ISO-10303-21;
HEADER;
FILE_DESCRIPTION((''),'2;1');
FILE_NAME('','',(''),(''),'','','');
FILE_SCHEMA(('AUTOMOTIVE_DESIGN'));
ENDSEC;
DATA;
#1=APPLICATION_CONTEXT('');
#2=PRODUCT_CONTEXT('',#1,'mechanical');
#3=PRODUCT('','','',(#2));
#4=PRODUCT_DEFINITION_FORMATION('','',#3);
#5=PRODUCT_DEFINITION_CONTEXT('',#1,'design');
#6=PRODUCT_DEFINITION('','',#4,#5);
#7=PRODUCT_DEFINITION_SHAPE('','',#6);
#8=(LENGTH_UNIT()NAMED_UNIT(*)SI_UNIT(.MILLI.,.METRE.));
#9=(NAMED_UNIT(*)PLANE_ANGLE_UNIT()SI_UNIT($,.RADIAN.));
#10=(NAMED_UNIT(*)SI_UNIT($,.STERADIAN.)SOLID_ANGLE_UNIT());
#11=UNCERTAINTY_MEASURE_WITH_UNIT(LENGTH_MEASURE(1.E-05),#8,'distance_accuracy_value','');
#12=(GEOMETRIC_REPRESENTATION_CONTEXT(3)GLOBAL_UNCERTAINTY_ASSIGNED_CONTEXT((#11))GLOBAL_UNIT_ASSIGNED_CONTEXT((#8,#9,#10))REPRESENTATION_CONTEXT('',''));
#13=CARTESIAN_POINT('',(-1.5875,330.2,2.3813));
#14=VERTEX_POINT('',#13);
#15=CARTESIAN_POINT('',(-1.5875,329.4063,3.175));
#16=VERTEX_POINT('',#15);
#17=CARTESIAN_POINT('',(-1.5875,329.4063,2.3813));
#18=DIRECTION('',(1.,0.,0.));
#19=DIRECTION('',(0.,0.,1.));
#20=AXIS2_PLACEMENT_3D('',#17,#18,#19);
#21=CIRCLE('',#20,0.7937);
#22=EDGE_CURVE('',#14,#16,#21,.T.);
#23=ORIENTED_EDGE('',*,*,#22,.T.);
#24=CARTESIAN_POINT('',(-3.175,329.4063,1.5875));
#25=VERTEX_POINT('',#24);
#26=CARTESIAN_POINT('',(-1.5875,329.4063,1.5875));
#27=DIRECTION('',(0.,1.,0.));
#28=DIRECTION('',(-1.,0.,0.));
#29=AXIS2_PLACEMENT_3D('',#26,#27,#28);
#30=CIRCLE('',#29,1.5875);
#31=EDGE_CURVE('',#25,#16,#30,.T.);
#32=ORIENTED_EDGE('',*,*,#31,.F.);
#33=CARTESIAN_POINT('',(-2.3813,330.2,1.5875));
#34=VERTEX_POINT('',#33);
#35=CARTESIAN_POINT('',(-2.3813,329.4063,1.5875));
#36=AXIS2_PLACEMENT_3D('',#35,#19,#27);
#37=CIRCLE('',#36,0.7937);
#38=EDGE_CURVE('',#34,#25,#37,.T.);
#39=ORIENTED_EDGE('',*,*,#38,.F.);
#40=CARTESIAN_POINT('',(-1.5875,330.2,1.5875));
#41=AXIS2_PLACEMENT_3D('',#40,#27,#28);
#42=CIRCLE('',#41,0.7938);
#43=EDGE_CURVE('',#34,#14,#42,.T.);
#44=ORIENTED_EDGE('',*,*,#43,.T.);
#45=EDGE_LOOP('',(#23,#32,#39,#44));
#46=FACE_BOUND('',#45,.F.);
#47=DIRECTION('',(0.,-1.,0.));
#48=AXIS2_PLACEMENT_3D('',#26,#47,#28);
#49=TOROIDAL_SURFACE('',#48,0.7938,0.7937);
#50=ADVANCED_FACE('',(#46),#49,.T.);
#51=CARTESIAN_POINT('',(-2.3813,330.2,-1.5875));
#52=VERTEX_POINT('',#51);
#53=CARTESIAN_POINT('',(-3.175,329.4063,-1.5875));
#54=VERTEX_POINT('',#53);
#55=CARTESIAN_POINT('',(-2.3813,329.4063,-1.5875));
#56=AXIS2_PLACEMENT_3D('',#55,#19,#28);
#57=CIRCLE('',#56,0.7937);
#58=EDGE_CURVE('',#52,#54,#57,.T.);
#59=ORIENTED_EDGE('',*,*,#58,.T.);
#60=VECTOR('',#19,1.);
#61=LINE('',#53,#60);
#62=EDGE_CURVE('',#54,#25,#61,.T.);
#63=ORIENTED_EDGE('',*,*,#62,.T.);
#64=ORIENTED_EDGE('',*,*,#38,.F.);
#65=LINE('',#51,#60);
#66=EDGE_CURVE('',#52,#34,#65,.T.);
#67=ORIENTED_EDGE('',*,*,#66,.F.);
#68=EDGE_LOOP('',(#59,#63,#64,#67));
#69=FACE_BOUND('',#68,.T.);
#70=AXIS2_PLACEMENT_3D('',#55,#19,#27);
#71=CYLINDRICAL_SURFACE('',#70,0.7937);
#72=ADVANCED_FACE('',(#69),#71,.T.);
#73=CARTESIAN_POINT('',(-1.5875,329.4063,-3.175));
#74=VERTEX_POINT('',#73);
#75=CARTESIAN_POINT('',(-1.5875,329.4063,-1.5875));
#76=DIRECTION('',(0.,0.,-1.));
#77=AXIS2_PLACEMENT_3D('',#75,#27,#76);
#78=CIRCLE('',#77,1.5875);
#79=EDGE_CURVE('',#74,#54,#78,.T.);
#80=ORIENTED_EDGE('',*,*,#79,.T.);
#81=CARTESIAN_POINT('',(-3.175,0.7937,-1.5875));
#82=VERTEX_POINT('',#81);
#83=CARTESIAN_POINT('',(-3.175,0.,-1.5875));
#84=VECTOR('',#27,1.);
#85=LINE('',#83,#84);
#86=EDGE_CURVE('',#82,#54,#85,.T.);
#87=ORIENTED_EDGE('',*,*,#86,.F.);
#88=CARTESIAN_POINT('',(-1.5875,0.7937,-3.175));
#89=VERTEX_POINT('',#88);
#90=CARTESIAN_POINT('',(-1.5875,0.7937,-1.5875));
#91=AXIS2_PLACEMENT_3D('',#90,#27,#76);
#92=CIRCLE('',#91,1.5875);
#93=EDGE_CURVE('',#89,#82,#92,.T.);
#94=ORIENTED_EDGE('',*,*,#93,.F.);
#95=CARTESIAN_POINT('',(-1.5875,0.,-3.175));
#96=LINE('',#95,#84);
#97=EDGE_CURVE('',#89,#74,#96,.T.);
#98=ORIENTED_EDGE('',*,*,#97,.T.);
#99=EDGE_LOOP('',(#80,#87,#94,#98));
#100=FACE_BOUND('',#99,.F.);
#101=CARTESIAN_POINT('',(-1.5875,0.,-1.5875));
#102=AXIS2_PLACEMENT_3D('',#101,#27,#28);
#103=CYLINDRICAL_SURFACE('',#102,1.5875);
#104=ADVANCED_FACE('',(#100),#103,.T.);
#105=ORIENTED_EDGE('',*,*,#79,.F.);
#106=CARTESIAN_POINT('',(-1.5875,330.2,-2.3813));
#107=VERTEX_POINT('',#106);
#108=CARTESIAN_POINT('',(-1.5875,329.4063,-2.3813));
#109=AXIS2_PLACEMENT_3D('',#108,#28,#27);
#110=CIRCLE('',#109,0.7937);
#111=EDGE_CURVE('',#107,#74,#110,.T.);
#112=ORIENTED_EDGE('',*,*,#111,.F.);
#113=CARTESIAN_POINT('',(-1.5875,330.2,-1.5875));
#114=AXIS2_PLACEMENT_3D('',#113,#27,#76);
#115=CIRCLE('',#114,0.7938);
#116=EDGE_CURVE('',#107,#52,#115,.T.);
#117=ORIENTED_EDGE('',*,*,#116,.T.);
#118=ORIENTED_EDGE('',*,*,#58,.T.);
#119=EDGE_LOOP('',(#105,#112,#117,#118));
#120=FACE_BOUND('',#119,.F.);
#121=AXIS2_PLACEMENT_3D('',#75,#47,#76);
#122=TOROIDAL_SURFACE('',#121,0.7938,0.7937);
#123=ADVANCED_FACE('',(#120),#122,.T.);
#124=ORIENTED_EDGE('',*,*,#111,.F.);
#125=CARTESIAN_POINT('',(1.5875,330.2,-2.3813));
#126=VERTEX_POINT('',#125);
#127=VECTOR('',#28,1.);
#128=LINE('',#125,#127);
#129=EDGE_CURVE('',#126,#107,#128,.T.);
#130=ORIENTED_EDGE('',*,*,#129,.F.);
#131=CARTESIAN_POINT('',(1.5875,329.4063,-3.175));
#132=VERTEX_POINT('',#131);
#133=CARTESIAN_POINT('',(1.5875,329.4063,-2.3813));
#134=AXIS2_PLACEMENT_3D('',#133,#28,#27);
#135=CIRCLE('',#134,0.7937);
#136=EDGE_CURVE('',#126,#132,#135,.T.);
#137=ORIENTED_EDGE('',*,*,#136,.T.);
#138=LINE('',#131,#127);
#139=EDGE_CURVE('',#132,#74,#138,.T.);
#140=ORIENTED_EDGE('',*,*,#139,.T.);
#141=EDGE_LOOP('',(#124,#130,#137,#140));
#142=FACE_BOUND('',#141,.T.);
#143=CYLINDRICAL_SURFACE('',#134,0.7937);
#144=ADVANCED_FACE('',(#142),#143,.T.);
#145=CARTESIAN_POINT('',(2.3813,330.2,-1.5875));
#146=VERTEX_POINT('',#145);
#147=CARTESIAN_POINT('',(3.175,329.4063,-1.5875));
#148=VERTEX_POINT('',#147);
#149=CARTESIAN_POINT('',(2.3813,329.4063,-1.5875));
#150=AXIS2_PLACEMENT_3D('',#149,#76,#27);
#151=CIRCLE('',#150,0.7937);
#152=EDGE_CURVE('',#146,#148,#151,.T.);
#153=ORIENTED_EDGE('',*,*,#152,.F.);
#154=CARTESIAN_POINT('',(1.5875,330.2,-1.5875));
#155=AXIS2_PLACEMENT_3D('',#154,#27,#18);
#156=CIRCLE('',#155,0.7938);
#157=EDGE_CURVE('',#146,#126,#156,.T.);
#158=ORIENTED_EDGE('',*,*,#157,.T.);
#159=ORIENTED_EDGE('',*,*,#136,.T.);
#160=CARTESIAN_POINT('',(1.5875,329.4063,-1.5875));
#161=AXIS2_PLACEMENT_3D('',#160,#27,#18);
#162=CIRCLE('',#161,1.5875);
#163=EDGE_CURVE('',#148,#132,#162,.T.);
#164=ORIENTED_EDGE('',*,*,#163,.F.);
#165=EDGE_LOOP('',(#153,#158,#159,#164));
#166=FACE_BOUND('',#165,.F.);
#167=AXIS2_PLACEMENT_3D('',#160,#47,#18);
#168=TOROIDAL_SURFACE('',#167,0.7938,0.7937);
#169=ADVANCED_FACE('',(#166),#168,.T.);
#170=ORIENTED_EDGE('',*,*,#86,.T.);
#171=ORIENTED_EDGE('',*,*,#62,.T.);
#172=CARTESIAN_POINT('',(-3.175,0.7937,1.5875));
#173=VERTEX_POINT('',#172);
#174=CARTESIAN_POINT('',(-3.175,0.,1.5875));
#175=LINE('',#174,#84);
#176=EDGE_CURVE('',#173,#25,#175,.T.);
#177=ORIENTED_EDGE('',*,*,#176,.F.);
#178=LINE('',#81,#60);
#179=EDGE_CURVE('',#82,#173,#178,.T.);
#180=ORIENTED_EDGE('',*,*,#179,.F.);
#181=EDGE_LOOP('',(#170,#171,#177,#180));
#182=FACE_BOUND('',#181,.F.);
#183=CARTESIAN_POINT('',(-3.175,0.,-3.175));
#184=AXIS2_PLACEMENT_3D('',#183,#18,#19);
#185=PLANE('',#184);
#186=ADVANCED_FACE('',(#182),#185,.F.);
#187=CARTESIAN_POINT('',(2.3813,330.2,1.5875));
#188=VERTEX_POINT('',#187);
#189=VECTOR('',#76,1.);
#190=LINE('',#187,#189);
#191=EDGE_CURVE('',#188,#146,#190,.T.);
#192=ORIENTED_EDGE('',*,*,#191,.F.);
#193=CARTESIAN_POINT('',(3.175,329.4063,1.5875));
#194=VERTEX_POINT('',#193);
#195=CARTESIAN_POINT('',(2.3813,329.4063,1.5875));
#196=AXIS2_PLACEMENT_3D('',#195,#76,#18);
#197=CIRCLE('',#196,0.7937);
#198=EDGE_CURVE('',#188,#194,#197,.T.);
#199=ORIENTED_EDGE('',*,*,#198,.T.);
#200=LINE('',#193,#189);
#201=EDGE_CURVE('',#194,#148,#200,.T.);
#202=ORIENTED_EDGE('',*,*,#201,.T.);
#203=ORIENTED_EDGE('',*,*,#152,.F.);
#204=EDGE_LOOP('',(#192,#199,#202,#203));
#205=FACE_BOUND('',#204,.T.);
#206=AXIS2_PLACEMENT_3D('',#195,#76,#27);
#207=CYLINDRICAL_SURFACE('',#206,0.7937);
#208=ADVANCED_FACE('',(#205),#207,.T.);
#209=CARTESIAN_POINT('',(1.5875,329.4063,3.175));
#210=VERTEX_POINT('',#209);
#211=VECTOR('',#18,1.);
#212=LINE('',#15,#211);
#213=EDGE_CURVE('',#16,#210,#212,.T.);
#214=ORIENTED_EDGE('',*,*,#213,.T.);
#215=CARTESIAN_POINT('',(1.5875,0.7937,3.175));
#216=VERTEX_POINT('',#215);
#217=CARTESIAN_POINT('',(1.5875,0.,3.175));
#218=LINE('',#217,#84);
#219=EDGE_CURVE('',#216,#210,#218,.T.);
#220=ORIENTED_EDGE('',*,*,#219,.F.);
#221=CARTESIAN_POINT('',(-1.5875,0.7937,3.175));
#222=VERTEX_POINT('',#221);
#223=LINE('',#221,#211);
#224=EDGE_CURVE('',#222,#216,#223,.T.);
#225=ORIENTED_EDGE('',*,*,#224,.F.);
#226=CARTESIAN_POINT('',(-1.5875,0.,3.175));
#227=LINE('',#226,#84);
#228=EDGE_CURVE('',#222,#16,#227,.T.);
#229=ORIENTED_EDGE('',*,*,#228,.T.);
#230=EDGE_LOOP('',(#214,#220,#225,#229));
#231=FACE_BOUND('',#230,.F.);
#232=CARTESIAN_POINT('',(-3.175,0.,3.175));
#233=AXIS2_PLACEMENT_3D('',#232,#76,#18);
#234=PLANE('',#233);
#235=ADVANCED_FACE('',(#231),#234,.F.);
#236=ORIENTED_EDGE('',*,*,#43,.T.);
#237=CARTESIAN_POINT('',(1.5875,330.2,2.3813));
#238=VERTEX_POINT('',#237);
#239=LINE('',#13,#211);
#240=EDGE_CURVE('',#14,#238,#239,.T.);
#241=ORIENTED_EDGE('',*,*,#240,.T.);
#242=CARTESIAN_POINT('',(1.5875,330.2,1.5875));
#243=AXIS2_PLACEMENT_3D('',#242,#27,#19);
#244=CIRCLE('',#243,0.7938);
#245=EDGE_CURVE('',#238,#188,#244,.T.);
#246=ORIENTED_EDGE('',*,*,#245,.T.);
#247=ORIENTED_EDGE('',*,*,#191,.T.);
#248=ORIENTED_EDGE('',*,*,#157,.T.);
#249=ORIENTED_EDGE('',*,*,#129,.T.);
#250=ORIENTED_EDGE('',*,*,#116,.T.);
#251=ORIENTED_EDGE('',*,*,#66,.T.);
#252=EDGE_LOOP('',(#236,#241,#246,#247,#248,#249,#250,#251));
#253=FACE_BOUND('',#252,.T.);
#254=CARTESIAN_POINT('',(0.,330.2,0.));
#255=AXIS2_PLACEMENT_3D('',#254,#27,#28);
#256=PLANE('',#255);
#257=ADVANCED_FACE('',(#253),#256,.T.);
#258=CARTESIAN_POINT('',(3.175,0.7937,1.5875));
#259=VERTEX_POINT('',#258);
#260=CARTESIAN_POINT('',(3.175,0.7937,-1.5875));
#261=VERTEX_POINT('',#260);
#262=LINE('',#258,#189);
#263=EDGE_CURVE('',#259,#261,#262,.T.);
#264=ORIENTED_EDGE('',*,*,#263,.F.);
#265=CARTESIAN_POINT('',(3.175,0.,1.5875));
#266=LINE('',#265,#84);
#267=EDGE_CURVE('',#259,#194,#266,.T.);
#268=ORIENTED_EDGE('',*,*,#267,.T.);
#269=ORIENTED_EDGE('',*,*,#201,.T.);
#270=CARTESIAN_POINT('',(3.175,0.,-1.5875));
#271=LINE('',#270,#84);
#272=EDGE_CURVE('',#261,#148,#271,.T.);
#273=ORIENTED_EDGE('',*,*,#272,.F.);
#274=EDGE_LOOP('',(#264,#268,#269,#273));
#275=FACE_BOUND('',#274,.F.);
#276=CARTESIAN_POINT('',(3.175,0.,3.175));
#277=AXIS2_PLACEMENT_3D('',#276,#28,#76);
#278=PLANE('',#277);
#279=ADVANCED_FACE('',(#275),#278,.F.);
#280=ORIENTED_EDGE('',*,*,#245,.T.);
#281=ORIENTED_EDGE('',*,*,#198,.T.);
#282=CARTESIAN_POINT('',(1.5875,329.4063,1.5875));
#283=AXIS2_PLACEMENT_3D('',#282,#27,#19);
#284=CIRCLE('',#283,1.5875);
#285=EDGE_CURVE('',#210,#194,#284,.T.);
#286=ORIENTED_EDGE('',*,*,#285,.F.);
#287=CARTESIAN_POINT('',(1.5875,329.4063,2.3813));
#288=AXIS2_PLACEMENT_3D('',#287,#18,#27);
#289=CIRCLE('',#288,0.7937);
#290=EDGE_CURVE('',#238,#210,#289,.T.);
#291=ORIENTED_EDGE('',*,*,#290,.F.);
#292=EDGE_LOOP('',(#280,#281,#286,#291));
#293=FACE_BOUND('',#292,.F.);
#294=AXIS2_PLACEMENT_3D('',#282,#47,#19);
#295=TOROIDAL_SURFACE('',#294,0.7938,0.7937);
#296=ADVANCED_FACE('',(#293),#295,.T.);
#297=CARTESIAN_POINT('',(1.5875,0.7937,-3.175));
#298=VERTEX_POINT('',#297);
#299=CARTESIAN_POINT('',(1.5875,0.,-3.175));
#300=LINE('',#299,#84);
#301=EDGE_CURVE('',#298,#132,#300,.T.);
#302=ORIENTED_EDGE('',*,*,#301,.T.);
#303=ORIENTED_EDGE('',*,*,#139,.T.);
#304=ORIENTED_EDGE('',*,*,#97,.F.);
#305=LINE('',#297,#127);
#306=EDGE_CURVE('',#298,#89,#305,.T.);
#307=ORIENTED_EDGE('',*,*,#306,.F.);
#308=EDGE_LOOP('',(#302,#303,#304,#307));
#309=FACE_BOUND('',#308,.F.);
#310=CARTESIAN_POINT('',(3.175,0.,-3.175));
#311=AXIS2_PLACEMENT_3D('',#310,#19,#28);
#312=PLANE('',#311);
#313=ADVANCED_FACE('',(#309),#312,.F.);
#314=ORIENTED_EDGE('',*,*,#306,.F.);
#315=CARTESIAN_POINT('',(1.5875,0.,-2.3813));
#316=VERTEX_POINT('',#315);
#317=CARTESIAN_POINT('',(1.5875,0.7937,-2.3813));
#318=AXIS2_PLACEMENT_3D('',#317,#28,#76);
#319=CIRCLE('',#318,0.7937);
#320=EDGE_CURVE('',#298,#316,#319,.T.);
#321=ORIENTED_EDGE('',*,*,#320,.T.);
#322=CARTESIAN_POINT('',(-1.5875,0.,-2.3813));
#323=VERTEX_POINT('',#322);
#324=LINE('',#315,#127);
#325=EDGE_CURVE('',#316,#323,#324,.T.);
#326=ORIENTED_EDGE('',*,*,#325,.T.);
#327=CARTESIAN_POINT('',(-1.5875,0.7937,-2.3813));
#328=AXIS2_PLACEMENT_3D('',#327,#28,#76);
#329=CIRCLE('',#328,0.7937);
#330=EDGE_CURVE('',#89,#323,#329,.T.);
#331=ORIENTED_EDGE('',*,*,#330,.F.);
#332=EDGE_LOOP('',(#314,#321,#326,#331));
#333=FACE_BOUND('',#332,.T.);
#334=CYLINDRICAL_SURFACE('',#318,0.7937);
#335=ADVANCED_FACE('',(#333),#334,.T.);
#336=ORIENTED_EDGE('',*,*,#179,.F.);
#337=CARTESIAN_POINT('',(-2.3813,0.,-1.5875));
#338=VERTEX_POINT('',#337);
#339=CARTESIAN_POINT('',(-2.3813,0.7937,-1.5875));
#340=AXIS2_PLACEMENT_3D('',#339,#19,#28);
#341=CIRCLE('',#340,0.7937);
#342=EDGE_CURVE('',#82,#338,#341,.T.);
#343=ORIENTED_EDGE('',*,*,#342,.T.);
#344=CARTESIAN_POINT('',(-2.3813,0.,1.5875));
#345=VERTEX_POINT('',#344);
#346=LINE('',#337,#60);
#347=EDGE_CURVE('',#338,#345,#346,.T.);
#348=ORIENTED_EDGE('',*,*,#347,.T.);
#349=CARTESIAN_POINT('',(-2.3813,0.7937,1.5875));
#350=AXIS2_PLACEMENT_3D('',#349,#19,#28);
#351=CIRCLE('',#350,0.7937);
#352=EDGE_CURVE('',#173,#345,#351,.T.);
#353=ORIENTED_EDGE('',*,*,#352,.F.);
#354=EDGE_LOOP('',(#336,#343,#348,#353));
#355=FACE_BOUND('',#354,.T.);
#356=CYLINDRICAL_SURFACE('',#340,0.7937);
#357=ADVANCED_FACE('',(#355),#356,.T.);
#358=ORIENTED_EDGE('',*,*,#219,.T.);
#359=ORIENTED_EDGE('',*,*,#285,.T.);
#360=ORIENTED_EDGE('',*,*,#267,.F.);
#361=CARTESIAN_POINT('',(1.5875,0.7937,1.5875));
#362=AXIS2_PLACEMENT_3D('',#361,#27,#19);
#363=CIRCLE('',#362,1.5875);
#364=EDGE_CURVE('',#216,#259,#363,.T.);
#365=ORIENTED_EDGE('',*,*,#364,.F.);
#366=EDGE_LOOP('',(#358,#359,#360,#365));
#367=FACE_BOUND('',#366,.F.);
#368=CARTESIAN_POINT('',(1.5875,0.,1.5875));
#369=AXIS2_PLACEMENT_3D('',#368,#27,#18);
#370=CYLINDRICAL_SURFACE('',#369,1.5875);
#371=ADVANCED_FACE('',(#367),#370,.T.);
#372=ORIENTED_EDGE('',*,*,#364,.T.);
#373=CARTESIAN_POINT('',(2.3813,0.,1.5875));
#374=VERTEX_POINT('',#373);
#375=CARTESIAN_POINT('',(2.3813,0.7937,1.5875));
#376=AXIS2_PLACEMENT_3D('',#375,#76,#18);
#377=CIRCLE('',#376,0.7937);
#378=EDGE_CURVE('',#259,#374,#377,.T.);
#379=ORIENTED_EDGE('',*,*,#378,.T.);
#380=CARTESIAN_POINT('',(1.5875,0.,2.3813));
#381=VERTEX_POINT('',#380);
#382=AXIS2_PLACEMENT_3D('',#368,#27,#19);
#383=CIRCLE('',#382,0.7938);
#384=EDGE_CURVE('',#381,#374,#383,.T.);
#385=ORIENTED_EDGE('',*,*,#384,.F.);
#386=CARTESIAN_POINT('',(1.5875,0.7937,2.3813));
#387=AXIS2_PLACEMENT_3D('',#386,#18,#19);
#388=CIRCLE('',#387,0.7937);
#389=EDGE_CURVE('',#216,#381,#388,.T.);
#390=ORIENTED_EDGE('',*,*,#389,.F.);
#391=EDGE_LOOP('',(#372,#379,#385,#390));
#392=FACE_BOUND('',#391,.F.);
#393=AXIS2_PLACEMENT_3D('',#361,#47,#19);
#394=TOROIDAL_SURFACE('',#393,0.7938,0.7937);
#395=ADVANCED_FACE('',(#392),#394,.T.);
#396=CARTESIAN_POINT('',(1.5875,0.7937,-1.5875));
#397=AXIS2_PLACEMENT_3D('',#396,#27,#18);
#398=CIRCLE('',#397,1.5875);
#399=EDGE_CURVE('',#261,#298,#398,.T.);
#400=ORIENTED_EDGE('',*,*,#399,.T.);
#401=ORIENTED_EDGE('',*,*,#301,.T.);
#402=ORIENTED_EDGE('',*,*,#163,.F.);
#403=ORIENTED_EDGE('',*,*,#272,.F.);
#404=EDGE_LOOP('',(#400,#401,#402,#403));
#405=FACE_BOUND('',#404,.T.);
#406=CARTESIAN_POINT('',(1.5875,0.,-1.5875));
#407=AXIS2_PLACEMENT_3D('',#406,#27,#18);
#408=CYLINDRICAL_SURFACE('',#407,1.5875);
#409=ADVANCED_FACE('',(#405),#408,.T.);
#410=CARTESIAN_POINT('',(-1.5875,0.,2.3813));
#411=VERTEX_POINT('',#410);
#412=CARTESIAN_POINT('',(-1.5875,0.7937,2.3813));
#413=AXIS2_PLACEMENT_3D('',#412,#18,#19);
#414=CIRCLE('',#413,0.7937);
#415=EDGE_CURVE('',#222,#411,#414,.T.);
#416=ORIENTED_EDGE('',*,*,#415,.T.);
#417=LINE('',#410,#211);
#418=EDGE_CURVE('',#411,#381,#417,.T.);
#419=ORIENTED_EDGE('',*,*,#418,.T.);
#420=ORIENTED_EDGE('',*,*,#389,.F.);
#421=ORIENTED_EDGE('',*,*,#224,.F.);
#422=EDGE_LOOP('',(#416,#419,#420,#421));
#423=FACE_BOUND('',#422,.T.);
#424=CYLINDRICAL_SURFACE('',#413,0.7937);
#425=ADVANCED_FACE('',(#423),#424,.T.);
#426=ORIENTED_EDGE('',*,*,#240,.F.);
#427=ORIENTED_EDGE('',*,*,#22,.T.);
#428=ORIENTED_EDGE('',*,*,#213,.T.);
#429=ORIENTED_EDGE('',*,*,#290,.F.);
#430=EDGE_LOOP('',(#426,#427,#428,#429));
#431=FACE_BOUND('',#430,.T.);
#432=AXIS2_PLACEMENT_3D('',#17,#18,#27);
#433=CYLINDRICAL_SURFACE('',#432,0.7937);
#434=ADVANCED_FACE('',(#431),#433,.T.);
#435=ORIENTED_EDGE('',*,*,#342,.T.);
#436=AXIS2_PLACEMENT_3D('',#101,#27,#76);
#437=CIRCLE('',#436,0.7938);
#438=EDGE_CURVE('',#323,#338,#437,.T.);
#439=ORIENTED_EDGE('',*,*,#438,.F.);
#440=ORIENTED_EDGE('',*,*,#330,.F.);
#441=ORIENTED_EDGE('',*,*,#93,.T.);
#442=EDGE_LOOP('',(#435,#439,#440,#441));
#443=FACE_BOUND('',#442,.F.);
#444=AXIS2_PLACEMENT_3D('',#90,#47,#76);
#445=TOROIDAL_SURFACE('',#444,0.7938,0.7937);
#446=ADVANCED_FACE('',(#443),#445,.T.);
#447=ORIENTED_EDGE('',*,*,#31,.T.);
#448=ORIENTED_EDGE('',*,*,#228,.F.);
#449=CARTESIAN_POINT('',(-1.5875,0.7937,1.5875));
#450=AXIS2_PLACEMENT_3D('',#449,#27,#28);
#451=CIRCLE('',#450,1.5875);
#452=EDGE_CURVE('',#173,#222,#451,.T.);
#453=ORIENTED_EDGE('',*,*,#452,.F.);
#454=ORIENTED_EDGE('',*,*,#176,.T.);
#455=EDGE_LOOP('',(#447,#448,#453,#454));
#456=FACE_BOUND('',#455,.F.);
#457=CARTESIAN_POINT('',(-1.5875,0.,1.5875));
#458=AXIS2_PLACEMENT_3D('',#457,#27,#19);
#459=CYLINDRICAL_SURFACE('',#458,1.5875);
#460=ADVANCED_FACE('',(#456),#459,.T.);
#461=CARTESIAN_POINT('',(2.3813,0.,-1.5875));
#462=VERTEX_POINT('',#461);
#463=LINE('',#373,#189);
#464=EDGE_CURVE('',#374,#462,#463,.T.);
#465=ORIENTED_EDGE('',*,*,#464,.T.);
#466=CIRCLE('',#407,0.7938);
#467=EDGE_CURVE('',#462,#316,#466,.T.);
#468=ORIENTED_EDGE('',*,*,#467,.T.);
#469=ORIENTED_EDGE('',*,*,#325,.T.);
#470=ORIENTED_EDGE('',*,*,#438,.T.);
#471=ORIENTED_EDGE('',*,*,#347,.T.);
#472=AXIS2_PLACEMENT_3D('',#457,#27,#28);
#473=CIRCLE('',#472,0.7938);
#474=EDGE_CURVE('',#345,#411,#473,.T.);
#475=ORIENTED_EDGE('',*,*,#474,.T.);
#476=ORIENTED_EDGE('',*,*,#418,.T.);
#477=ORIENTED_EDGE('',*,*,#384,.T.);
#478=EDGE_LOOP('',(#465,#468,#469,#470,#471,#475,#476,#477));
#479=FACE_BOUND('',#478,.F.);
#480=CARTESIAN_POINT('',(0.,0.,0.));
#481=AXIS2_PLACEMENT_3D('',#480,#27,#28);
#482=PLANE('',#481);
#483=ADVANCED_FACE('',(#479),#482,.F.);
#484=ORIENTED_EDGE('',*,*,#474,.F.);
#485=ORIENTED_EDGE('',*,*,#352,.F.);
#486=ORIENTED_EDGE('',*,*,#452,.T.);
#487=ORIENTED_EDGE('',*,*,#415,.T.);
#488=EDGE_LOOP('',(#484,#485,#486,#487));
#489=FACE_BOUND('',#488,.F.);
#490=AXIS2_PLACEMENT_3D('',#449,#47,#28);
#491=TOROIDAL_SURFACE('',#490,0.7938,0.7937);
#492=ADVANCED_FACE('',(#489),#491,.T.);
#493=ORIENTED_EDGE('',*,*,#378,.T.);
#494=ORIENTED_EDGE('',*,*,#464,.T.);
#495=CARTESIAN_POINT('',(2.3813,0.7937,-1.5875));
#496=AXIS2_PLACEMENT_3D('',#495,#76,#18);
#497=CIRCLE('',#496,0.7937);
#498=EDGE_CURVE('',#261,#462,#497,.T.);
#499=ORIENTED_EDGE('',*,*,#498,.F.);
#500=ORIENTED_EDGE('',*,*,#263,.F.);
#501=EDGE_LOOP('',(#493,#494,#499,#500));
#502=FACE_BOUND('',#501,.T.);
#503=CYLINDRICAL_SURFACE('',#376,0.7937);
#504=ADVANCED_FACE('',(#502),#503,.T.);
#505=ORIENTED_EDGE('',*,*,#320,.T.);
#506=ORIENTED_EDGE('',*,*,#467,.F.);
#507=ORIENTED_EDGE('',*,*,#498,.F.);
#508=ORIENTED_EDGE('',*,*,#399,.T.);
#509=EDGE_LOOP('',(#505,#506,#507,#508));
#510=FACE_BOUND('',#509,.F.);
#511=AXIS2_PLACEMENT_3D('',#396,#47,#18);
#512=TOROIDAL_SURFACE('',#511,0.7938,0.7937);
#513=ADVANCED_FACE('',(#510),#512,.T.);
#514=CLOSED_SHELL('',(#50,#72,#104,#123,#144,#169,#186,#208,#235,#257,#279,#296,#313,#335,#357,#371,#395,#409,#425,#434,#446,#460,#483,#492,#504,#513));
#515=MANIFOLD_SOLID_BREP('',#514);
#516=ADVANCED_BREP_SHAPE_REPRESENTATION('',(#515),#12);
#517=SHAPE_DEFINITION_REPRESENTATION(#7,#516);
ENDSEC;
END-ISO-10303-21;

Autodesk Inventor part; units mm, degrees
ref_plane "YZ Plane" through (0, 0, 0) normal (1, 0, 0) x (0, 1, 0)
ref_plane "XZ Plane" through (0, 0, 0) normal (0, 1, 0) x (-1, 0, 0)
ref_plane "XY Plane" through (0, 0, 0) normal (0, 0, 1) x (1, 0, 0)
sketch "Sketch1" plane through (0, 0, 0) normal (0, 1, 0) x (-1, 0, 0)
  line L0 (-3.175, -3.175) -> (3.175, -3.175)
  line L1 (3.175, -3.175) -> (3.175, 3.175)
  line L2 (3.175, 3.175) -> (-3.175, 3.175)
  line L3 (-3.175, 3.175) -> (-3.175, -3.175)
  line L4 (-3.175, -3.175) -> (3.175, 3.175) construction
  line L5 (3.175, -3.175) -> (-3.175, 3.175) construction
  point P0 (0, 0)
  dimension "d0" = 6.35
  dimension "d1" = 6.35
extrude "Extrusion1" add sketch "Sketch1" along normal blind 330.2
fillet "Fillet1" radius 1.5875 4 edges at (-3.175, 165.1, -3.175) (3.175, 165.1, -3.175) (3.175, 165.1, 3.175) (-3.175, 165.1, 3.175)
fillet "Fillet2" radius 0.7937 16 edges at (3.175, 0, 0) (2.71, 0, -2.71) (0, 0, -3.175) (-2.71, 0, -2.71) (-3.175, 0, 0) (-2.71, 0, 2.71) (0, 0, 3.175) (2.71, 0, 2.71) (0, 330.2, -3.175) (2.71, 330.2, -2.71) (3.175, 330.2, 0) (2.71, 330.2, 2.71) (0, 330.2, 3.175) (-2.71, 330.2, 2.71) (-3.175, 330.2, 0) (-2.71, 330.2, -2.71)
ref_plane "Work Plane1" through (0, 165.1, 0) normal (0, 1, 0) x (1, 0, 0)
properties part number "13in hs shaft" material "Stainless Steel"
